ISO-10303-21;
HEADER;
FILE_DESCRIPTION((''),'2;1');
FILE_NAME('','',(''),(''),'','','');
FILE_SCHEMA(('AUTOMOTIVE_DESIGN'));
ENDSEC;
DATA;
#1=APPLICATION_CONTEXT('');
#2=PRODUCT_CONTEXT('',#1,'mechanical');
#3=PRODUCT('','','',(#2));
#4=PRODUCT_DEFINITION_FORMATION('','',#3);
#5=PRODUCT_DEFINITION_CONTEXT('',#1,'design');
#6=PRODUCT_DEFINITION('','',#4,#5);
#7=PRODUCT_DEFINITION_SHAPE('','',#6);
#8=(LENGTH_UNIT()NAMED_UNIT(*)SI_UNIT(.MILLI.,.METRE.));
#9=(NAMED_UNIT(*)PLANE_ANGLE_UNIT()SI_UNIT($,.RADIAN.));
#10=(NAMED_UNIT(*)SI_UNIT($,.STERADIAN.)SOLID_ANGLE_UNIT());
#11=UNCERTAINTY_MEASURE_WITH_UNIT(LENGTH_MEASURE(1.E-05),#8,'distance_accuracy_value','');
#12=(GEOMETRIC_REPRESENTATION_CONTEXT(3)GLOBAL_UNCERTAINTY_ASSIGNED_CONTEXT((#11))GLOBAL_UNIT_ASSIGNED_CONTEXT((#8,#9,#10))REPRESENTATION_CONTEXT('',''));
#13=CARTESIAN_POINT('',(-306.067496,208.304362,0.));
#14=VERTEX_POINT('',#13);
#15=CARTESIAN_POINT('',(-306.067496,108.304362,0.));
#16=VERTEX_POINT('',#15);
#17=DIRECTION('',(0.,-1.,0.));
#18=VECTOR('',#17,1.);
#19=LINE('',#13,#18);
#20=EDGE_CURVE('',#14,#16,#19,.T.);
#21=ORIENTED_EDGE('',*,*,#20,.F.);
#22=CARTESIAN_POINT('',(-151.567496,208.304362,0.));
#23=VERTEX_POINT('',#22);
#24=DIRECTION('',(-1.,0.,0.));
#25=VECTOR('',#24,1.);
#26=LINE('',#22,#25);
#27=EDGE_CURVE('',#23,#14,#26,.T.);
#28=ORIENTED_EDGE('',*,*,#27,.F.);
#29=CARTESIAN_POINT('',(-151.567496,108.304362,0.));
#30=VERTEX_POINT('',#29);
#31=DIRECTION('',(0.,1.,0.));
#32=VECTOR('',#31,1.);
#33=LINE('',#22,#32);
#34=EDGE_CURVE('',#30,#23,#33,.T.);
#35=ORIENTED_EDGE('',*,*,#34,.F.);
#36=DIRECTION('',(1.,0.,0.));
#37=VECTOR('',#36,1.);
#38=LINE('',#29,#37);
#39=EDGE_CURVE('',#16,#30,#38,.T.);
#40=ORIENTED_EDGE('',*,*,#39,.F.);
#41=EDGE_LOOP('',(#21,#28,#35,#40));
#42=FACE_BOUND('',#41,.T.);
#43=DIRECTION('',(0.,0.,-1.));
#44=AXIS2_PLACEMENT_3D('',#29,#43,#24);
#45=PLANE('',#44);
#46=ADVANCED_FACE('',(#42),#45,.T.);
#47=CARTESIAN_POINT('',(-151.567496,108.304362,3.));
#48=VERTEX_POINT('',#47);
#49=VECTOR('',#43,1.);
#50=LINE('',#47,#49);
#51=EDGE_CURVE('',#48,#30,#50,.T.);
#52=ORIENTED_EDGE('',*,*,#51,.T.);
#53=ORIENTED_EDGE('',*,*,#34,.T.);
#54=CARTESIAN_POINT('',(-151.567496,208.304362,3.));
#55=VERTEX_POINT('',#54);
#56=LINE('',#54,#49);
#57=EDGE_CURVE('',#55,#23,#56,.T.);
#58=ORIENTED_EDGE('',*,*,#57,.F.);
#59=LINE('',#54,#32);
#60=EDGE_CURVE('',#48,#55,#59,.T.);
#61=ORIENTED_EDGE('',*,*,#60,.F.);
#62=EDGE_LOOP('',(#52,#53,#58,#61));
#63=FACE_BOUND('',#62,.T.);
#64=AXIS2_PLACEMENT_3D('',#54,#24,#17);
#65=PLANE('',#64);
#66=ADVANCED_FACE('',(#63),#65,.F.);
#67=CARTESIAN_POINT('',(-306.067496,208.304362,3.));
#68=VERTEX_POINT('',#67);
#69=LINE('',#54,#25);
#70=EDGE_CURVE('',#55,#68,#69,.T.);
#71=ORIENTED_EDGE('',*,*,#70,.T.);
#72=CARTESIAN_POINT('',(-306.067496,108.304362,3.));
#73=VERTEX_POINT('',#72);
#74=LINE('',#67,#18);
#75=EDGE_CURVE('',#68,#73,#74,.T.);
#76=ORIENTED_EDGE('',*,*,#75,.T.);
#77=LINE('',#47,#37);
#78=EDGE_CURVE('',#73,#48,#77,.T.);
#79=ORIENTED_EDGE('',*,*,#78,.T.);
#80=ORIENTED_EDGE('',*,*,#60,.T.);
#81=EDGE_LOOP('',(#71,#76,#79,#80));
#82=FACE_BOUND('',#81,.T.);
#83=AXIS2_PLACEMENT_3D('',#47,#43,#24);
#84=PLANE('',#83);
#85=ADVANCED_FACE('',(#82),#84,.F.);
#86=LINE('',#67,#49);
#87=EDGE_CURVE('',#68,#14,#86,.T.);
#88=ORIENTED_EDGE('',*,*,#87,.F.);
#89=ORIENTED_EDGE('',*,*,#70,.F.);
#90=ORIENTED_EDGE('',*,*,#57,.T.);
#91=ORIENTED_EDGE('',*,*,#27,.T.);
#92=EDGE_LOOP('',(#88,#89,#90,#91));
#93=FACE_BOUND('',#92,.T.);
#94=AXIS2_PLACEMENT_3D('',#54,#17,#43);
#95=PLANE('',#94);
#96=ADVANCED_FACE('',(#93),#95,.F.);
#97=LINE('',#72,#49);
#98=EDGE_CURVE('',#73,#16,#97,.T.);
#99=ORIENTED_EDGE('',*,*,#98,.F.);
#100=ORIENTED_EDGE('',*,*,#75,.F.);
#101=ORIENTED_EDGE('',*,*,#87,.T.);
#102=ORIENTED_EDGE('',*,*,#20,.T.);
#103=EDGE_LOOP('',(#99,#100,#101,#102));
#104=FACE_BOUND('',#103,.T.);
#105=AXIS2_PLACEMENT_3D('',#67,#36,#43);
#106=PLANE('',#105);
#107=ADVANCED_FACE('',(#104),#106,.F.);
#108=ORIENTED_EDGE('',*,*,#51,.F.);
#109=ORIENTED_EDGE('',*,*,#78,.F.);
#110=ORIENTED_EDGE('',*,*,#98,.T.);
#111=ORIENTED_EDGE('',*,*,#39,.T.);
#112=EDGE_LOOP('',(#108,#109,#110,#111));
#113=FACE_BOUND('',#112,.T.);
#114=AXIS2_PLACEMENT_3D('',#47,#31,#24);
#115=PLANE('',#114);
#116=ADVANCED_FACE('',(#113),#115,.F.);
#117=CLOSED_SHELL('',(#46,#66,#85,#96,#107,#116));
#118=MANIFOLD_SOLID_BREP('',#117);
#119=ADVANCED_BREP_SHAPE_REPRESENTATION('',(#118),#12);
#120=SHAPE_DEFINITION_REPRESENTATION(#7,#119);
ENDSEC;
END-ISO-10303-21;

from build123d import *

# Parameters (mm, degrees)
ESQUISSE1_W        = 154.5
ESQUISSE1_H        = 100
BOSS_EXTRU_1_DEPTH = 3


with BuildPart() as part:
    # Esquisse1 → Boss.-Extru.1 (new body)
    with BuildSketch(Plane.XY):
        with Locations((-228.817496011, 158.30436223)):
            Rectangle(ESQUISSE1_W, ESQUISSE1_H)
    extrude(amount=BOSS_EXTRU_1_DEPTH)


solid = part.part
